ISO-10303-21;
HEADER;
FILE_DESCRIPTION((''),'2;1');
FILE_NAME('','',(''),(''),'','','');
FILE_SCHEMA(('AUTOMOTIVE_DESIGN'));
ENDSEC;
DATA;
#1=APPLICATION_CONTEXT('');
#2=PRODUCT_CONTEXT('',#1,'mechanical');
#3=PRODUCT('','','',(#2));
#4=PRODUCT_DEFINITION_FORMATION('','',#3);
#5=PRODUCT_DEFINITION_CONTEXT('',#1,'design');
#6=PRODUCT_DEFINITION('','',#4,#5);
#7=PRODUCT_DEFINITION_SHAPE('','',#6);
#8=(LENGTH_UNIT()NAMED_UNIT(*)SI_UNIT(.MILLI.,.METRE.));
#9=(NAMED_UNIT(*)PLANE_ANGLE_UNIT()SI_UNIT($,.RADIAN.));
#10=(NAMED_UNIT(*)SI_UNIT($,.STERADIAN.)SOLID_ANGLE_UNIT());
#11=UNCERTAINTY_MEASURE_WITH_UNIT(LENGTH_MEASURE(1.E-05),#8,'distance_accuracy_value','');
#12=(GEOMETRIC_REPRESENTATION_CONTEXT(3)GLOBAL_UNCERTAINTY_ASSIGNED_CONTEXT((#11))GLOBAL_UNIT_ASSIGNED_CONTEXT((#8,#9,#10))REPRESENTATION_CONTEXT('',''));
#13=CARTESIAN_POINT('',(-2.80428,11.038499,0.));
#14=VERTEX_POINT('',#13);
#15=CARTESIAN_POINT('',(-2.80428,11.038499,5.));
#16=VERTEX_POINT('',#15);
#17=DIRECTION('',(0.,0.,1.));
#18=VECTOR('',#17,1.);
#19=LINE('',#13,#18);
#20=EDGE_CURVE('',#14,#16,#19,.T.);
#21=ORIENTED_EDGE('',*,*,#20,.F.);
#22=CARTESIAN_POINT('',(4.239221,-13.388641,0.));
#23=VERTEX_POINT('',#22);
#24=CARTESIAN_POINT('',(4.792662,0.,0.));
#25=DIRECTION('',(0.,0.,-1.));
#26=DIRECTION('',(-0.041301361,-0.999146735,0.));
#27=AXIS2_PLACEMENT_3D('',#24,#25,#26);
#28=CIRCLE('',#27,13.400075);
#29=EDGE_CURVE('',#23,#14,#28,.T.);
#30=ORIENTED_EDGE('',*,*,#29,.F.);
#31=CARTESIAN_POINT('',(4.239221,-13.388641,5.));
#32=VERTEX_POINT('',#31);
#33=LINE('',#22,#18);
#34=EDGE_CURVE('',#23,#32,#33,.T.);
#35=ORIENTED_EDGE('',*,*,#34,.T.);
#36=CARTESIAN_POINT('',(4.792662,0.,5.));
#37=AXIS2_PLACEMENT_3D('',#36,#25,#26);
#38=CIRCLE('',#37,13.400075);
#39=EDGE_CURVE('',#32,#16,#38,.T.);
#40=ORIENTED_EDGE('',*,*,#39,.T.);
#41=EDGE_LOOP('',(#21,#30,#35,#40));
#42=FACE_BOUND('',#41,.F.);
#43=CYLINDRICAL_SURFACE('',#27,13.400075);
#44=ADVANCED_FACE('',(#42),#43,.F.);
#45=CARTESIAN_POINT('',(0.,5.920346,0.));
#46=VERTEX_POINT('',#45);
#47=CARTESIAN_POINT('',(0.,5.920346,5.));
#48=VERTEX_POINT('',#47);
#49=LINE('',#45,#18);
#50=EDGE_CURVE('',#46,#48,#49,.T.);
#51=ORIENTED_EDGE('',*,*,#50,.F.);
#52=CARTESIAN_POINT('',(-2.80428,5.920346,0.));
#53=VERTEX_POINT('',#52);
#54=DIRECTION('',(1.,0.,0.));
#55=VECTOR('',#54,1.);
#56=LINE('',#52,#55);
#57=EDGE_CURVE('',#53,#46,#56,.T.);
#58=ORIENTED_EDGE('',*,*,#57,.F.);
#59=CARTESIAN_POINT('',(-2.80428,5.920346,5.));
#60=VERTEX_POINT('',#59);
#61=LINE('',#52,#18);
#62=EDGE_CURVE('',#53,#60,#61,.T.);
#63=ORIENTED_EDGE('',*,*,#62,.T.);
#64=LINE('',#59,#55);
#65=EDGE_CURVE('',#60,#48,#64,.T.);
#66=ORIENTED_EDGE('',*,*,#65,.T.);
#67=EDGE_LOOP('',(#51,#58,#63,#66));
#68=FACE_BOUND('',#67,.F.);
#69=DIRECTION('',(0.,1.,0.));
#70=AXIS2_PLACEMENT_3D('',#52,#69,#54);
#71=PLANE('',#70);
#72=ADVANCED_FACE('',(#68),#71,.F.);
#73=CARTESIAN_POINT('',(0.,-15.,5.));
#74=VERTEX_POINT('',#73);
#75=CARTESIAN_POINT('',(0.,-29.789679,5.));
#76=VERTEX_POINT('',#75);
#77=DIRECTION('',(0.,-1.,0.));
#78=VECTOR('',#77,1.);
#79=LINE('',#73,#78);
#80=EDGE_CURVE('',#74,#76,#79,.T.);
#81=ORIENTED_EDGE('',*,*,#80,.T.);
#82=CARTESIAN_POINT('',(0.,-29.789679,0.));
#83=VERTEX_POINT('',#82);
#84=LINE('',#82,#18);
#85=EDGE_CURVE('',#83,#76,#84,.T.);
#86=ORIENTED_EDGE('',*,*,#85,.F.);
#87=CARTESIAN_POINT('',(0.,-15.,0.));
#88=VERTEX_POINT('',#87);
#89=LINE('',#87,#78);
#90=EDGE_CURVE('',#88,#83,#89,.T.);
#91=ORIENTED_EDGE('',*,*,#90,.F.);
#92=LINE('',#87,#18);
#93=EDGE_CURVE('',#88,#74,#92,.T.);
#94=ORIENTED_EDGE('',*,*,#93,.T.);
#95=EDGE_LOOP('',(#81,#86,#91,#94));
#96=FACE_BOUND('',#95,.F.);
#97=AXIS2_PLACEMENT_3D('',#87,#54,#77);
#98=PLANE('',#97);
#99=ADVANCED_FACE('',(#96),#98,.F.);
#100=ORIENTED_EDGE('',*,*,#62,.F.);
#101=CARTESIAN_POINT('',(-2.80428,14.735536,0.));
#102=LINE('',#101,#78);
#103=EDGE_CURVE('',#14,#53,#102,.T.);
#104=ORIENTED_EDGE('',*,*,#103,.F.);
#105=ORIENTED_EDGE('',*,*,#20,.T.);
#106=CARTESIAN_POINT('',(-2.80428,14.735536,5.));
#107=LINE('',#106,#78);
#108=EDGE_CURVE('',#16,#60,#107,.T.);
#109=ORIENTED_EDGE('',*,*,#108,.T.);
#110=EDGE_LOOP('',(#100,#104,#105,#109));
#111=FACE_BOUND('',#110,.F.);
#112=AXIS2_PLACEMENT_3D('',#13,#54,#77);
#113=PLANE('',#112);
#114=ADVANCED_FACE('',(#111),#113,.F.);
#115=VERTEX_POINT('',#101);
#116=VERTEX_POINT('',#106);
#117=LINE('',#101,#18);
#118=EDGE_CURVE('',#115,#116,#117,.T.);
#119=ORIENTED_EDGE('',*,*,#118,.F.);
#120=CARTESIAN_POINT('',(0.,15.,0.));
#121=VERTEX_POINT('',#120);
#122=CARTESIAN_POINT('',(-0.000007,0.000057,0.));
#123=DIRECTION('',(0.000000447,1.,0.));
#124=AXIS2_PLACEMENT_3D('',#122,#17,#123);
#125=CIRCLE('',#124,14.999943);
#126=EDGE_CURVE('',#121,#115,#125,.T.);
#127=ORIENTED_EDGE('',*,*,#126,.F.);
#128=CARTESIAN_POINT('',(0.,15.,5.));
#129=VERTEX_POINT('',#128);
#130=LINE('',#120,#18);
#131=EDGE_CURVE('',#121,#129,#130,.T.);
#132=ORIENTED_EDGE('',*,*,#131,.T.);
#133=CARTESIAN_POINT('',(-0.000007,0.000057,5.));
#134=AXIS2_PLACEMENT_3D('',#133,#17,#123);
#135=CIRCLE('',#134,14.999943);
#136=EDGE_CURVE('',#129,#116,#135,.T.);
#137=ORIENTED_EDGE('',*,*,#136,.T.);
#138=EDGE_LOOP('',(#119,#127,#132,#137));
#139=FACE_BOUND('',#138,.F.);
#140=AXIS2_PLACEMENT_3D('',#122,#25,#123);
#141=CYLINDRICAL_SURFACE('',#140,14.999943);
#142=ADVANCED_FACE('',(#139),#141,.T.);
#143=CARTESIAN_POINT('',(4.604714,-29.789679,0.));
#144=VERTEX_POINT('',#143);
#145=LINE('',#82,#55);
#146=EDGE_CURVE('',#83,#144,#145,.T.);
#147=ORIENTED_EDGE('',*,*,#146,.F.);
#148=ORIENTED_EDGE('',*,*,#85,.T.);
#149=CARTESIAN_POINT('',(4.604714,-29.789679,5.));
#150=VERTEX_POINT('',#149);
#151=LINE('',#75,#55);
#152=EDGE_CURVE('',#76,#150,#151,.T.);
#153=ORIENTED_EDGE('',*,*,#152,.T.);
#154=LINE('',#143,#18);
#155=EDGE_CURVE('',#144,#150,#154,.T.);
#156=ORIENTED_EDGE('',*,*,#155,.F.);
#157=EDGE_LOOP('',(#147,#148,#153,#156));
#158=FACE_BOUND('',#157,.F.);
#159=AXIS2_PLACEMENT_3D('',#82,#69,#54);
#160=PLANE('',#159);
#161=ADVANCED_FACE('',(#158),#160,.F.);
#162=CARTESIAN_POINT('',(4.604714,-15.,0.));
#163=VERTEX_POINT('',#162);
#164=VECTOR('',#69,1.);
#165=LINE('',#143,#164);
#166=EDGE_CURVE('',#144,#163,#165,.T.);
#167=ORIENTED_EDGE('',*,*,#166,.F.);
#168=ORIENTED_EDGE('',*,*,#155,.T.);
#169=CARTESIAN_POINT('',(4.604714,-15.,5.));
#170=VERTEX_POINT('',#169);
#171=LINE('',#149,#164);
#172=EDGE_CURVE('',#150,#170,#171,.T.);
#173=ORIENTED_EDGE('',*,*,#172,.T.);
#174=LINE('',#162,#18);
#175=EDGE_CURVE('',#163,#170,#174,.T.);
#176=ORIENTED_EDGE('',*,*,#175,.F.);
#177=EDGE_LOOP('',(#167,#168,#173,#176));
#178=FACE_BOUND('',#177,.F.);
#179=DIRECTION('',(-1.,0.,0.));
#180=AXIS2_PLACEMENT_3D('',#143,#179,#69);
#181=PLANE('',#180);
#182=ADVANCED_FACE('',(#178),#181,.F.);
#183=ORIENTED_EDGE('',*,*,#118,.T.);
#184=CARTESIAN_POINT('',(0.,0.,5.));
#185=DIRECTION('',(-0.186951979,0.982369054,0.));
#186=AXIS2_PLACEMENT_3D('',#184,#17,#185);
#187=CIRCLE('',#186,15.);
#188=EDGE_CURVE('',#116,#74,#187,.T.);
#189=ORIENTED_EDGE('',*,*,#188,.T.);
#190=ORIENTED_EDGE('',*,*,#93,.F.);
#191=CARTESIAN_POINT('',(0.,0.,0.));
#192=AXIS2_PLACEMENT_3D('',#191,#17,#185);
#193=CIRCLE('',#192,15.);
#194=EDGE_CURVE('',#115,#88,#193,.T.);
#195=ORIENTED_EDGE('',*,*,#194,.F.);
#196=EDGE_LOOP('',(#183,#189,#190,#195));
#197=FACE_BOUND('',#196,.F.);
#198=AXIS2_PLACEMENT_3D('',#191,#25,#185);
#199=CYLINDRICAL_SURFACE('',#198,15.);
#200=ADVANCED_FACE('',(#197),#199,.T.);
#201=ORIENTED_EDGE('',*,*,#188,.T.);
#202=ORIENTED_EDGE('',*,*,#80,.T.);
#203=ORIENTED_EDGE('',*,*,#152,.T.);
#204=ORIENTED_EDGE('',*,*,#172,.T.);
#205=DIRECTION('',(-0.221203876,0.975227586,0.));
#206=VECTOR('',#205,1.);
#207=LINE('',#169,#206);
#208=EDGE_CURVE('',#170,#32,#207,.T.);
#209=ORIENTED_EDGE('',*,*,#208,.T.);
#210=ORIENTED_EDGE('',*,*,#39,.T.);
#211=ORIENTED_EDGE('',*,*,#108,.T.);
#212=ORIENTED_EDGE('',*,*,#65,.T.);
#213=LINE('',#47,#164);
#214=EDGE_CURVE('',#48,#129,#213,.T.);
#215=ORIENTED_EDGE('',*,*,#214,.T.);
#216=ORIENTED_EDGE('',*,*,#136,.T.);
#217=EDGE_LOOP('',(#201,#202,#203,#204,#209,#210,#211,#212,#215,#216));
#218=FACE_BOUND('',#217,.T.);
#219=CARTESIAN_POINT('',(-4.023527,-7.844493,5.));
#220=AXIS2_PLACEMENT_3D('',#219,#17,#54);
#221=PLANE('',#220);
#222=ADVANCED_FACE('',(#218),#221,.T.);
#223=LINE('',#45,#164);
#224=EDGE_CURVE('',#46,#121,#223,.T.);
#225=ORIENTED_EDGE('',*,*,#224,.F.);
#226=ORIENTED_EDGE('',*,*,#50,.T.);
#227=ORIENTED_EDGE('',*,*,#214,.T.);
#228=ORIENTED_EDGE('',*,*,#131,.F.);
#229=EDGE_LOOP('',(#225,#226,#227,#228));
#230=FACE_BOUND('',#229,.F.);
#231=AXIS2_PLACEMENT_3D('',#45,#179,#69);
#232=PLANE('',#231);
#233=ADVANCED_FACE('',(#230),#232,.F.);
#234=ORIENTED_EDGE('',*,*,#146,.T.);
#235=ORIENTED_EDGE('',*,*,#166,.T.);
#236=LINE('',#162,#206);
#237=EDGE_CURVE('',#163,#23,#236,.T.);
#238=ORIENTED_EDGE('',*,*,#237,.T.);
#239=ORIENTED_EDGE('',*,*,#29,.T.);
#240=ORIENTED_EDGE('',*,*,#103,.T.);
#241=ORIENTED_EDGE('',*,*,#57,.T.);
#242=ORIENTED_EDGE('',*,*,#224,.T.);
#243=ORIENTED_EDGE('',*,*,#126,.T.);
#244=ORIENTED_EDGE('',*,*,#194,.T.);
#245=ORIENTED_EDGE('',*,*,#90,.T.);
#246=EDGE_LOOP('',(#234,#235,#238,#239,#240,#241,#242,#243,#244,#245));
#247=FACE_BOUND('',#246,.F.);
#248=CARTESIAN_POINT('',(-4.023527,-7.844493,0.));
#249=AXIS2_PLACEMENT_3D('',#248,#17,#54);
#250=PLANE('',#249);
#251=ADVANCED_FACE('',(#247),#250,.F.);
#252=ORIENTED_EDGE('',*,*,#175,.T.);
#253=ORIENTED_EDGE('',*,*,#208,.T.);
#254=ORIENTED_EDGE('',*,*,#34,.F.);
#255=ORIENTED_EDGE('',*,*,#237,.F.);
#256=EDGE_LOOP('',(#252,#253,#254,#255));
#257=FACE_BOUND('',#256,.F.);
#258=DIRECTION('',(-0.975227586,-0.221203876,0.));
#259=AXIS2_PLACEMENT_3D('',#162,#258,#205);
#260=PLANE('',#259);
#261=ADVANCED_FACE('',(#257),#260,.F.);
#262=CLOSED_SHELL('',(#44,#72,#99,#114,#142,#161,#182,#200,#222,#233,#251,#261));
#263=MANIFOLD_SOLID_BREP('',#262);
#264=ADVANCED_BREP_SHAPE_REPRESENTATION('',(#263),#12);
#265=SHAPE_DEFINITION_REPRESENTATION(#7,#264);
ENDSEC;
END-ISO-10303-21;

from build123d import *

# Parameters (mm, degrees)
F1_DEPTH = 5


with BuildPart() as f1:
    # F0 (on Top) → F1 (new body)
    with BuildSketch(Plane.XY):
        with BuildLine():
            Line((-2.80428, 11.038499), (-2.80428, 14.735536))
            ThreePointArc((-2.80428, 14.735536), (-14.933738, -1.408361), (0, -15))
            Line((0, -15), (0, -29.789679))
            Line((0, -29.789679), (4.604714, -29.789679))
            Line((4.604714, -29.789679), (4.604714, -15))
            Line((4.604714, -15), (4.239221, -13.388641))
            ThreePointArc((4.239221, -13.388641), (-8.082837, -3.712616), (-2.80428, 11.038499))
        make_face()
        with BuildLine():
            Line((0, 5.920346), (0, 15))
            ThreePointArc((0, 15), (-1.408361, 14.933738), (-2.80428, 14.735536))
            Line((-2.80428, 14.735536), (-2.80428, 11.038499))
            Line((-2.80428, 11.038499), (-2.80428, 5.920346))
            Line((-2.80428, 5.920346), (0, 5.920346))
        make_face()
    extrude(amount=F1_DEPTH)


solid = f1.part
